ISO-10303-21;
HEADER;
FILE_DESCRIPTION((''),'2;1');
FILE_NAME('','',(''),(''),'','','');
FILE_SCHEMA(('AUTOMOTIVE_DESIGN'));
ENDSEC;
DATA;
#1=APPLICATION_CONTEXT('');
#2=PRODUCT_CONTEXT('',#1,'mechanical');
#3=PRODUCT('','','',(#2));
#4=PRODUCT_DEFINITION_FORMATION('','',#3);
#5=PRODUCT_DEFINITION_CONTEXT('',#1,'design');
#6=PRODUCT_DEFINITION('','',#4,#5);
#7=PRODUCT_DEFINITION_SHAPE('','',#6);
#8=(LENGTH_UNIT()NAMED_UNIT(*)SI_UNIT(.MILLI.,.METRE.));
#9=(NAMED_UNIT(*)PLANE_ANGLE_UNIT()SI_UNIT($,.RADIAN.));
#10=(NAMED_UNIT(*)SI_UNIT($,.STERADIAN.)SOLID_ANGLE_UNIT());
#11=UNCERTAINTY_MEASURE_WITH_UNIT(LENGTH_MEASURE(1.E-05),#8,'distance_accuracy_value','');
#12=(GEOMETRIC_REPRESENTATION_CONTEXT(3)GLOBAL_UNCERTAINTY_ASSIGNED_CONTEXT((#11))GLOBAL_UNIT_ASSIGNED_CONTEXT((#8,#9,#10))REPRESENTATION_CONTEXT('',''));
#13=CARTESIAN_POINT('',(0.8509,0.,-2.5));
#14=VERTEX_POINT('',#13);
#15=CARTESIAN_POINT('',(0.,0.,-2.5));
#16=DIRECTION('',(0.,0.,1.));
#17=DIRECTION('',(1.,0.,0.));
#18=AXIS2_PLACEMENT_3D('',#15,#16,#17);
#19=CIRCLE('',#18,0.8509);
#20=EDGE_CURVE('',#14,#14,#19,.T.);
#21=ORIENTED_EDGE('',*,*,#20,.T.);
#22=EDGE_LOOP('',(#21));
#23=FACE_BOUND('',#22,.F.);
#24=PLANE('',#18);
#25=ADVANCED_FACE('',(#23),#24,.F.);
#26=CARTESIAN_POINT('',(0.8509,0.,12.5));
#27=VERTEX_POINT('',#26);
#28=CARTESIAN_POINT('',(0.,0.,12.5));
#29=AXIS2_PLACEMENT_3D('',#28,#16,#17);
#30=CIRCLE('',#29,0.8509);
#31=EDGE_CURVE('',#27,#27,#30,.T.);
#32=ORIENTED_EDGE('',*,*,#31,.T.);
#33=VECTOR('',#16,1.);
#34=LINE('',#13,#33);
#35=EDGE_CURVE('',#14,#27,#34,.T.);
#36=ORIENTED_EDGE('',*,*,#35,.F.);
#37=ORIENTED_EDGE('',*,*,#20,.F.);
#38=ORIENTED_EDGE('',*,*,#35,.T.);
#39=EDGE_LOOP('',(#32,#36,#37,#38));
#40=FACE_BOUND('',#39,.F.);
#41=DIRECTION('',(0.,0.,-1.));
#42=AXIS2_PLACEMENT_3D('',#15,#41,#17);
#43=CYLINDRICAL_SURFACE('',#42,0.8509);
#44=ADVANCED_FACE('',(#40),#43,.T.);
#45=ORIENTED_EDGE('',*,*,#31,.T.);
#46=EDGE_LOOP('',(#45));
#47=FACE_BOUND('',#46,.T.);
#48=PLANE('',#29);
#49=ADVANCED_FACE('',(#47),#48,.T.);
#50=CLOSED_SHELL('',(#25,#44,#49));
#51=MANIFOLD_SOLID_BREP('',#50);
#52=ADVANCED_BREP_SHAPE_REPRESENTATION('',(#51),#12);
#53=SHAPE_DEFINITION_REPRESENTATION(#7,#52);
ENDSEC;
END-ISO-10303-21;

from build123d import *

# Parameters (mm, degrees)
CYLINDER_R     = 0.8509
CYLINDER_DEPTH = 15


with BuildPart() as part:
    # Cylinder → Cylinder (new body)
    with BuildSketch(Plane.XY.offset(-2.5)):
        Circle(CYLINDER_R)
    extrude(amount=CYLINDER_DEPTH)


solid = part.part
